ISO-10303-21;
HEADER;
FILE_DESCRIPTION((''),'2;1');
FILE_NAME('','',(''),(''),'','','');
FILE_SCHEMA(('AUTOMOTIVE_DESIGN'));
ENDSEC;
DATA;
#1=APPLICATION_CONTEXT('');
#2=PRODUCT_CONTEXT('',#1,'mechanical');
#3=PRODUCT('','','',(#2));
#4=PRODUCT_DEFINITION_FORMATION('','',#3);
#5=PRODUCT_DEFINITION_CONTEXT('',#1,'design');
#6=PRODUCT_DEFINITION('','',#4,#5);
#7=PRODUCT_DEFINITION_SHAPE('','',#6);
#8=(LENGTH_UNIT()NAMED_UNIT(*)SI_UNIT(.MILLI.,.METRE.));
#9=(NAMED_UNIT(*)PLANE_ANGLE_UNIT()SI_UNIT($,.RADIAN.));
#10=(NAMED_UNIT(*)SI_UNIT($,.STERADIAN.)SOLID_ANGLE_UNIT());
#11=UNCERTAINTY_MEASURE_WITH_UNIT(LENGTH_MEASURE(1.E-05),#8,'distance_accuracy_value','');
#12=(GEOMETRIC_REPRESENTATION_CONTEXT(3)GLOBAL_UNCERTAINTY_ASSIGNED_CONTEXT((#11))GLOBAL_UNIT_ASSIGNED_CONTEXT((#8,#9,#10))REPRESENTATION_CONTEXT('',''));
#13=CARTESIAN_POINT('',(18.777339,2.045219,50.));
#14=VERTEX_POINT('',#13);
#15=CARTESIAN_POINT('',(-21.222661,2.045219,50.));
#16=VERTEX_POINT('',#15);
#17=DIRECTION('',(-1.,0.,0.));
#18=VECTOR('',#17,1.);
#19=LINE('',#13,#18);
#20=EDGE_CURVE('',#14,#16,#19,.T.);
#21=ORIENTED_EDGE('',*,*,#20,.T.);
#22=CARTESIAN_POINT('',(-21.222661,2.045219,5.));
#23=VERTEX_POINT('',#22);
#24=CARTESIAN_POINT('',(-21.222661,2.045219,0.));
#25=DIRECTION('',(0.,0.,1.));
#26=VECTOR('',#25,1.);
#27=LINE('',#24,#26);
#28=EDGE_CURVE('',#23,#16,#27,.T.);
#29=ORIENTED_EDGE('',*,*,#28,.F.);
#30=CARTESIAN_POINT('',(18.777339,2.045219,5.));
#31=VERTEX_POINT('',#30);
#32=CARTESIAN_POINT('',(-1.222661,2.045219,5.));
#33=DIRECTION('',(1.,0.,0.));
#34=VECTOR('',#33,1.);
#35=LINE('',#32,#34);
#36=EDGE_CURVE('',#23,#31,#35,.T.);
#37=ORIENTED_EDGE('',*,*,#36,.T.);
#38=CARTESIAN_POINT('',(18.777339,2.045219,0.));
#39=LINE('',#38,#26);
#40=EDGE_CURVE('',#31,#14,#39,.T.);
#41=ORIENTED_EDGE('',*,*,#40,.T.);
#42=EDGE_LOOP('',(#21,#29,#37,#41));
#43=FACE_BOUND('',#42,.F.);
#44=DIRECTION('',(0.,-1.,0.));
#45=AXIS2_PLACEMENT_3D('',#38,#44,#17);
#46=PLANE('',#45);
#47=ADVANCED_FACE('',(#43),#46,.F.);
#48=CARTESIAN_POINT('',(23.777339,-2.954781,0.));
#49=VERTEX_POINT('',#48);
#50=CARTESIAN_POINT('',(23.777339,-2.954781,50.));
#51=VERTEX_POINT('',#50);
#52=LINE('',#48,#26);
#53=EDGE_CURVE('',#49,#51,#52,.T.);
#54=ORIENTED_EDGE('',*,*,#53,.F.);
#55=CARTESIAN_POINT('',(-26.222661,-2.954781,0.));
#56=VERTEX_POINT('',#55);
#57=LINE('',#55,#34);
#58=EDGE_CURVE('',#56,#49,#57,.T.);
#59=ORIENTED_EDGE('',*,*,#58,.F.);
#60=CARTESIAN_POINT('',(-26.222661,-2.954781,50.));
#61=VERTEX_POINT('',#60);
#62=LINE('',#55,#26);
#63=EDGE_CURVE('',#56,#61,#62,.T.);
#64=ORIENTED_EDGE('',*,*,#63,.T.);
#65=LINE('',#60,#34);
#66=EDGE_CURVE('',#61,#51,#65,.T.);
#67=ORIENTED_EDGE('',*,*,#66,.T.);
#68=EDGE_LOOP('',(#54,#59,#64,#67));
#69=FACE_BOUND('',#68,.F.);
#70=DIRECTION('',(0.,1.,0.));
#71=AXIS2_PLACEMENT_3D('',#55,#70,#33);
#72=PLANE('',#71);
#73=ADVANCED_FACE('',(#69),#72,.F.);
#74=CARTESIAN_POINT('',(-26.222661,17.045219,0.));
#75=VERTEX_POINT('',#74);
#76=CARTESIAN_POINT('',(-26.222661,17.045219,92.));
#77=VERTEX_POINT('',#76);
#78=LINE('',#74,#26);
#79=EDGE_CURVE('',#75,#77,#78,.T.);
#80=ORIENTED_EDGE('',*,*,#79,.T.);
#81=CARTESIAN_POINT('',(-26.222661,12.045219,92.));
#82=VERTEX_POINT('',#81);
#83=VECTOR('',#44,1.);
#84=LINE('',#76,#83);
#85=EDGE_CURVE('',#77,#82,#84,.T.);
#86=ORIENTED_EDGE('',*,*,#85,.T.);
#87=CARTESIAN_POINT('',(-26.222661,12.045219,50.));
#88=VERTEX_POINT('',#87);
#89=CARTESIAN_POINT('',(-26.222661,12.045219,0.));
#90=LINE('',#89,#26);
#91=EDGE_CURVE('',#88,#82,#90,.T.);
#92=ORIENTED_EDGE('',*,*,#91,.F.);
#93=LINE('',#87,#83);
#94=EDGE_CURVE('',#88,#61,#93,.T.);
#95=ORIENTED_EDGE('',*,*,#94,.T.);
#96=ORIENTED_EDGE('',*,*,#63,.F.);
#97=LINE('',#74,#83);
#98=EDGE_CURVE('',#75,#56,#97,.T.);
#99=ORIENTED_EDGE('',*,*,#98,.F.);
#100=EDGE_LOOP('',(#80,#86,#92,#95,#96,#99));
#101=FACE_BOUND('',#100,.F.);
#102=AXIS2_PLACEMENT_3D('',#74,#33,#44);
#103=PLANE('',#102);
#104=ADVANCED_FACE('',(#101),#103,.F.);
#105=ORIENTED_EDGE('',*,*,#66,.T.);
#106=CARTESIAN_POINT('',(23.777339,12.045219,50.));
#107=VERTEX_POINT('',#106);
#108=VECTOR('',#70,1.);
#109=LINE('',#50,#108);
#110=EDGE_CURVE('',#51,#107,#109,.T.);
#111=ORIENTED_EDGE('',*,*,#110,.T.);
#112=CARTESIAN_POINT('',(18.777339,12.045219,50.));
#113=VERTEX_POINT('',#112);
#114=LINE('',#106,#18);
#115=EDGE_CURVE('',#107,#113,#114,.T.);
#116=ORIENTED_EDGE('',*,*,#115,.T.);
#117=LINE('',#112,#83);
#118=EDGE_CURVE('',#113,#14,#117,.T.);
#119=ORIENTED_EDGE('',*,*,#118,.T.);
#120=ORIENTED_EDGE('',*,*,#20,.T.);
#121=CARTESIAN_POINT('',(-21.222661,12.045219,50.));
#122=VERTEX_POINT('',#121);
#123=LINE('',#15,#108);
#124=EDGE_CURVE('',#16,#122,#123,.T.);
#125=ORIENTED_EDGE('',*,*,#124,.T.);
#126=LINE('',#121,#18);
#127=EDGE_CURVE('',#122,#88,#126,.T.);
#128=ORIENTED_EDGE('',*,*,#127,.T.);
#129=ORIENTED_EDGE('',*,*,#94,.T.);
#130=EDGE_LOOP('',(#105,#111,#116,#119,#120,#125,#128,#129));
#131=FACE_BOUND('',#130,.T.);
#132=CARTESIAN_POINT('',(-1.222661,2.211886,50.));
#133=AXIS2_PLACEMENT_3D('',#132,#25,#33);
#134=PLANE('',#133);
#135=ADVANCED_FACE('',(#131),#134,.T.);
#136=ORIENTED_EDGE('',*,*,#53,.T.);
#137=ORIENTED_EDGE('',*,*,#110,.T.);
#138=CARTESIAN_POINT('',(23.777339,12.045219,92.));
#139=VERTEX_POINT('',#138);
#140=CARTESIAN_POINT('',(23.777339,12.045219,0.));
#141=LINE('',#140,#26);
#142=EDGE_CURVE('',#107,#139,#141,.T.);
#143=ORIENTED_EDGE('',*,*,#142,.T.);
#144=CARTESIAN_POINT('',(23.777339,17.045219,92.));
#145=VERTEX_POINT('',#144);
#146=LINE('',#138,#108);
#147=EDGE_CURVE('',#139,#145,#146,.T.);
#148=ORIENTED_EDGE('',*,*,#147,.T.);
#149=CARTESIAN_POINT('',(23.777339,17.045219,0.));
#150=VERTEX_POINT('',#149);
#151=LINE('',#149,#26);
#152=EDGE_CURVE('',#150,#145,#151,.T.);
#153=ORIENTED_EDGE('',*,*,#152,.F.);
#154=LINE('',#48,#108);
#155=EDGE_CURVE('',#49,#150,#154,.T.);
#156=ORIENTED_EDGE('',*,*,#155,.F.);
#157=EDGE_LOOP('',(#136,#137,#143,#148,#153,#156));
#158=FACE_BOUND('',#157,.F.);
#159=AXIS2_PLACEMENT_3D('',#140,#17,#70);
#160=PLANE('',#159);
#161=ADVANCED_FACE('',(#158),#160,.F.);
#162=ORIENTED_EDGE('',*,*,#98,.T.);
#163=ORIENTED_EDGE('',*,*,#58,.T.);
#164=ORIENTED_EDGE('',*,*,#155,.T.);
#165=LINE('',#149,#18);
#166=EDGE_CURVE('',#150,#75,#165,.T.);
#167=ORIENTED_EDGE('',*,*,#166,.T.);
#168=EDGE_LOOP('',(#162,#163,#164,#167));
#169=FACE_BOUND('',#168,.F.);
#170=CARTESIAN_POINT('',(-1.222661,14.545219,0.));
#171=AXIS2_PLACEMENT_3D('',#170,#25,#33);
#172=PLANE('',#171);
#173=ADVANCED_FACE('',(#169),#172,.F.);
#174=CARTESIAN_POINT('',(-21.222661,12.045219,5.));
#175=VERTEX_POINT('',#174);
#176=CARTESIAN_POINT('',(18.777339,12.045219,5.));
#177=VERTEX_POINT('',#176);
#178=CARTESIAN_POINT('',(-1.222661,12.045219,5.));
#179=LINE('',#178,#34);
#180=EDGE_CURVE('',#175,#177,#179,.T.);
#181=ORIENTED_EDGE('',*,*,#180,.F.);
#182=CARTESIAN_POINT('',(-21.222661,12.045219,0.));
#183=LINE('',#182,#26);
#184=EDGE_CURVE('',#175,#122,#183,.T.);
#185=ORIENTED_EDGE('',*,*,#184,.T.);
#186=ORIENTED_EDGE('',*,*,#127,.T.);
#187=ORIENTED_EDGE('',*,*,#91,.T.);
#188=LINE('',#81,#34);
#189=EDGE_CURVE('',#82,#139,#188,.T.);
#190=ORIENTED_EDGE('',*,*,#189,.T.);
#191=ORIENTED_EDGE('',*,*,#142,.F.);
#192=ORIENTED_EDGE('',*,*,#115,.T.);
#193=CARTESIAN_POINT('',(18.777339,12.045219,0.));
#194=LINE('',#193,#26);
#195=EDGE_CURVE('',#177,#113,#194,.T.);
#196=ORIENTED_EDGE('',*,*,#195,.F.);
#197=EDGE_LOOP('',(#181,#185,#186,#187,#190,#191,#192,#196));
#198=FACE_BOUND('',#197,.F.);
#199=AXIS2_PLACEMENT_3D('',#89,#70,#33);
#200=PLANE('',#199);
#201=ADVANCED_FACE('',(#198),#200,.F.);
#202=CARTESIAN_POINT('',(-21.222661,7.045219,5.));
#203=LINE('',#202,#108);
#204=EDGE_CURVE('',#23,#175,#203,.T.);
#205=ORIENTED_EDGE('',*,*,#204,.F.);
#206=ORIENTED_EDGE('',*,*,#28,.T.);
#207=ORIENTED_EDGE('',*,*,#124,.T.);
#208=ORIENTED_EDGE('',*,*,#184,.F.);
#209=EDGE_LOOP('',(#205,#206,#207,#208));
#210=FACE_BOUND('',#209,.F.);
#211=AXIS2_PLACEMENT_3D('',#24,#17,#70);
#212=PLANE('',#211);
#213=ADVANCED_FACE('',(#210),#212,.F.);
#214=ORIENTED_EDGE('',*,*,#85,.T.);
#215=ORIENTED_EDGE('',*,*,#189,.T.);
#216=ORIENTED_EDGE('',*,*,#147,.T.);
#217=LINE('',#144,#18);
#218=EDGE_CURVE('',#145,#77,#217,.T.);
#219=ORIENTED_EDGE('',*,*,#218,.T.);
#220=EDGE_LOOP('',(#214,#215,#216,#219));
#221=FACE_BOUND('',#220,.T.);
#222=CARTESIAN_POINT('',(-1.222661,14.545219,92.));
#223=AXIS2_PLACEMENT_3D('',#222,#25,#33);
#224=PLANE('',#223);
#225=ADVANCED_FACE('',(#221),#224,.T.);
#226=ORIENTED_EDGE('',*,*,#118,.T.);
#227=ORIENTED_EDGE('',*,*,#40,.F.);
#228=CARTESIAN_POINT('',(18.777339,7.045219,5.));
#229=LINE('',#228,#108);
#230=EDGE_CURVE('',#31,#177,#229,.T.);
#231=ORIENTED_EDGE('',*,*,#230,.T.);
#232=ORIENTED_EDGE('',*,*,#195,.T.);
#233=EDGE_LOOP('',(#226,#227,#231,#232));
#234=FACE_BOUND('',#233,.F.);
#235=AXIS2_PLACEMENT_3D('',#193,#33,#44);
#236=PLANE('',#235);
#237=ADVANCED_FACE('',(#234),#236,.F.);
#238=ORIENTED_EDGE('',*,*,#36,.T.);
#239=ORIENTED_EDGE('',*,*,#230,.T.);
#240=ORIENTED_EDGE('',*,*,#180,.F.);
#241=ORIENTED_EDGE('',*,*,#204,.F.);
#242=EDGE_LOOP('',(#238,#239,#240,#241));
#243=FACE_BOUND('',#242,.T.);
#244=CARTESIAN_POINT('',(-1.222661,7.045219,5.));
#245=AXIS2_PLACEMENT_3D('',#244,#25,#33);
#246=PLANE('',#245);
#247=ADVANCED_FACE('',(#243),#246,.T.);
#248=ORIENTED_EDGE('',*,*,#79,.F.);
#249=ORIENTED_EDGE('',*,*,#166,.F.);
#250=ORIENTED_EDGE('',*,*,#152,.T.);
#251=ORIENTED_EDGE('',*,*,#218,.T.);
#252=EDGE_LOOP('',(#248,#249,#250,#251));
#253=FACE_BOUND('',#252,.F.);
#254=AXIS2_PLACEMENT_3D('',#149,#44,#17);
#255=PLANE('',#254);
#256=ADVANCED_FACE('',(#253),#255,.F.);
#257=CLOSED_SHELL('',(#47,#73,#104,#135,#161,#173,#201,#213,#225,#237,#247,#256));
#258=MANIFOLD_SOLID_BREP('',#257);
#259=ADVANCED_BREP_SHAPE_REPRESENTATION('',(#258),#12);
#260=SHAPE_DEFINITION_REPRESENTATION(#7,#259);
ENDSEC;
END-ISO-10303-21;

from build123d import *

# Parameters (mm, degrees)
F0_W     = 40
F0_H     = 10
F1_DEPTH = 5
F2_DEPTH = 92
F3_DEPTH = 50


with BuildPart() as f1:
    # F0 (on Top) → F1 (new body)
    with BuildSketch(Plane.XY):
        with Locations((-1.222661, 7.045219)):
            Rectangle(F0_W, F0_H)
    extrude(amount=F1_DEPTH)

    # F0 (on Top) → F2 (join)
    with BuildSketch(Plane.XY):
        Polygon((-26.222661, 12.045219), (-21.222661, 12.045219), (18.777339, 12.045219), (23.777339, 12.045219), (23.777339, 17.045219), (-26.222661, 17.045219), align=None)
    extrude(amount=F2_DEPTH)

    # F0 (on Top) → F3 (join)
    with BuildSketch(Plane.XY):
        Polygon((-21.222661, 2.045219), (-21.222661, 12.045219), (-26.222661, 12.045219), (-26.222661, -2.954781), (23.777339, -2.954781), (23.777339, 12.045219), (18.777339, 12.045219), (18.777339, 2.045219), align=None)
    extrude(amount=F3_DEPTH)


solid = f1.part
